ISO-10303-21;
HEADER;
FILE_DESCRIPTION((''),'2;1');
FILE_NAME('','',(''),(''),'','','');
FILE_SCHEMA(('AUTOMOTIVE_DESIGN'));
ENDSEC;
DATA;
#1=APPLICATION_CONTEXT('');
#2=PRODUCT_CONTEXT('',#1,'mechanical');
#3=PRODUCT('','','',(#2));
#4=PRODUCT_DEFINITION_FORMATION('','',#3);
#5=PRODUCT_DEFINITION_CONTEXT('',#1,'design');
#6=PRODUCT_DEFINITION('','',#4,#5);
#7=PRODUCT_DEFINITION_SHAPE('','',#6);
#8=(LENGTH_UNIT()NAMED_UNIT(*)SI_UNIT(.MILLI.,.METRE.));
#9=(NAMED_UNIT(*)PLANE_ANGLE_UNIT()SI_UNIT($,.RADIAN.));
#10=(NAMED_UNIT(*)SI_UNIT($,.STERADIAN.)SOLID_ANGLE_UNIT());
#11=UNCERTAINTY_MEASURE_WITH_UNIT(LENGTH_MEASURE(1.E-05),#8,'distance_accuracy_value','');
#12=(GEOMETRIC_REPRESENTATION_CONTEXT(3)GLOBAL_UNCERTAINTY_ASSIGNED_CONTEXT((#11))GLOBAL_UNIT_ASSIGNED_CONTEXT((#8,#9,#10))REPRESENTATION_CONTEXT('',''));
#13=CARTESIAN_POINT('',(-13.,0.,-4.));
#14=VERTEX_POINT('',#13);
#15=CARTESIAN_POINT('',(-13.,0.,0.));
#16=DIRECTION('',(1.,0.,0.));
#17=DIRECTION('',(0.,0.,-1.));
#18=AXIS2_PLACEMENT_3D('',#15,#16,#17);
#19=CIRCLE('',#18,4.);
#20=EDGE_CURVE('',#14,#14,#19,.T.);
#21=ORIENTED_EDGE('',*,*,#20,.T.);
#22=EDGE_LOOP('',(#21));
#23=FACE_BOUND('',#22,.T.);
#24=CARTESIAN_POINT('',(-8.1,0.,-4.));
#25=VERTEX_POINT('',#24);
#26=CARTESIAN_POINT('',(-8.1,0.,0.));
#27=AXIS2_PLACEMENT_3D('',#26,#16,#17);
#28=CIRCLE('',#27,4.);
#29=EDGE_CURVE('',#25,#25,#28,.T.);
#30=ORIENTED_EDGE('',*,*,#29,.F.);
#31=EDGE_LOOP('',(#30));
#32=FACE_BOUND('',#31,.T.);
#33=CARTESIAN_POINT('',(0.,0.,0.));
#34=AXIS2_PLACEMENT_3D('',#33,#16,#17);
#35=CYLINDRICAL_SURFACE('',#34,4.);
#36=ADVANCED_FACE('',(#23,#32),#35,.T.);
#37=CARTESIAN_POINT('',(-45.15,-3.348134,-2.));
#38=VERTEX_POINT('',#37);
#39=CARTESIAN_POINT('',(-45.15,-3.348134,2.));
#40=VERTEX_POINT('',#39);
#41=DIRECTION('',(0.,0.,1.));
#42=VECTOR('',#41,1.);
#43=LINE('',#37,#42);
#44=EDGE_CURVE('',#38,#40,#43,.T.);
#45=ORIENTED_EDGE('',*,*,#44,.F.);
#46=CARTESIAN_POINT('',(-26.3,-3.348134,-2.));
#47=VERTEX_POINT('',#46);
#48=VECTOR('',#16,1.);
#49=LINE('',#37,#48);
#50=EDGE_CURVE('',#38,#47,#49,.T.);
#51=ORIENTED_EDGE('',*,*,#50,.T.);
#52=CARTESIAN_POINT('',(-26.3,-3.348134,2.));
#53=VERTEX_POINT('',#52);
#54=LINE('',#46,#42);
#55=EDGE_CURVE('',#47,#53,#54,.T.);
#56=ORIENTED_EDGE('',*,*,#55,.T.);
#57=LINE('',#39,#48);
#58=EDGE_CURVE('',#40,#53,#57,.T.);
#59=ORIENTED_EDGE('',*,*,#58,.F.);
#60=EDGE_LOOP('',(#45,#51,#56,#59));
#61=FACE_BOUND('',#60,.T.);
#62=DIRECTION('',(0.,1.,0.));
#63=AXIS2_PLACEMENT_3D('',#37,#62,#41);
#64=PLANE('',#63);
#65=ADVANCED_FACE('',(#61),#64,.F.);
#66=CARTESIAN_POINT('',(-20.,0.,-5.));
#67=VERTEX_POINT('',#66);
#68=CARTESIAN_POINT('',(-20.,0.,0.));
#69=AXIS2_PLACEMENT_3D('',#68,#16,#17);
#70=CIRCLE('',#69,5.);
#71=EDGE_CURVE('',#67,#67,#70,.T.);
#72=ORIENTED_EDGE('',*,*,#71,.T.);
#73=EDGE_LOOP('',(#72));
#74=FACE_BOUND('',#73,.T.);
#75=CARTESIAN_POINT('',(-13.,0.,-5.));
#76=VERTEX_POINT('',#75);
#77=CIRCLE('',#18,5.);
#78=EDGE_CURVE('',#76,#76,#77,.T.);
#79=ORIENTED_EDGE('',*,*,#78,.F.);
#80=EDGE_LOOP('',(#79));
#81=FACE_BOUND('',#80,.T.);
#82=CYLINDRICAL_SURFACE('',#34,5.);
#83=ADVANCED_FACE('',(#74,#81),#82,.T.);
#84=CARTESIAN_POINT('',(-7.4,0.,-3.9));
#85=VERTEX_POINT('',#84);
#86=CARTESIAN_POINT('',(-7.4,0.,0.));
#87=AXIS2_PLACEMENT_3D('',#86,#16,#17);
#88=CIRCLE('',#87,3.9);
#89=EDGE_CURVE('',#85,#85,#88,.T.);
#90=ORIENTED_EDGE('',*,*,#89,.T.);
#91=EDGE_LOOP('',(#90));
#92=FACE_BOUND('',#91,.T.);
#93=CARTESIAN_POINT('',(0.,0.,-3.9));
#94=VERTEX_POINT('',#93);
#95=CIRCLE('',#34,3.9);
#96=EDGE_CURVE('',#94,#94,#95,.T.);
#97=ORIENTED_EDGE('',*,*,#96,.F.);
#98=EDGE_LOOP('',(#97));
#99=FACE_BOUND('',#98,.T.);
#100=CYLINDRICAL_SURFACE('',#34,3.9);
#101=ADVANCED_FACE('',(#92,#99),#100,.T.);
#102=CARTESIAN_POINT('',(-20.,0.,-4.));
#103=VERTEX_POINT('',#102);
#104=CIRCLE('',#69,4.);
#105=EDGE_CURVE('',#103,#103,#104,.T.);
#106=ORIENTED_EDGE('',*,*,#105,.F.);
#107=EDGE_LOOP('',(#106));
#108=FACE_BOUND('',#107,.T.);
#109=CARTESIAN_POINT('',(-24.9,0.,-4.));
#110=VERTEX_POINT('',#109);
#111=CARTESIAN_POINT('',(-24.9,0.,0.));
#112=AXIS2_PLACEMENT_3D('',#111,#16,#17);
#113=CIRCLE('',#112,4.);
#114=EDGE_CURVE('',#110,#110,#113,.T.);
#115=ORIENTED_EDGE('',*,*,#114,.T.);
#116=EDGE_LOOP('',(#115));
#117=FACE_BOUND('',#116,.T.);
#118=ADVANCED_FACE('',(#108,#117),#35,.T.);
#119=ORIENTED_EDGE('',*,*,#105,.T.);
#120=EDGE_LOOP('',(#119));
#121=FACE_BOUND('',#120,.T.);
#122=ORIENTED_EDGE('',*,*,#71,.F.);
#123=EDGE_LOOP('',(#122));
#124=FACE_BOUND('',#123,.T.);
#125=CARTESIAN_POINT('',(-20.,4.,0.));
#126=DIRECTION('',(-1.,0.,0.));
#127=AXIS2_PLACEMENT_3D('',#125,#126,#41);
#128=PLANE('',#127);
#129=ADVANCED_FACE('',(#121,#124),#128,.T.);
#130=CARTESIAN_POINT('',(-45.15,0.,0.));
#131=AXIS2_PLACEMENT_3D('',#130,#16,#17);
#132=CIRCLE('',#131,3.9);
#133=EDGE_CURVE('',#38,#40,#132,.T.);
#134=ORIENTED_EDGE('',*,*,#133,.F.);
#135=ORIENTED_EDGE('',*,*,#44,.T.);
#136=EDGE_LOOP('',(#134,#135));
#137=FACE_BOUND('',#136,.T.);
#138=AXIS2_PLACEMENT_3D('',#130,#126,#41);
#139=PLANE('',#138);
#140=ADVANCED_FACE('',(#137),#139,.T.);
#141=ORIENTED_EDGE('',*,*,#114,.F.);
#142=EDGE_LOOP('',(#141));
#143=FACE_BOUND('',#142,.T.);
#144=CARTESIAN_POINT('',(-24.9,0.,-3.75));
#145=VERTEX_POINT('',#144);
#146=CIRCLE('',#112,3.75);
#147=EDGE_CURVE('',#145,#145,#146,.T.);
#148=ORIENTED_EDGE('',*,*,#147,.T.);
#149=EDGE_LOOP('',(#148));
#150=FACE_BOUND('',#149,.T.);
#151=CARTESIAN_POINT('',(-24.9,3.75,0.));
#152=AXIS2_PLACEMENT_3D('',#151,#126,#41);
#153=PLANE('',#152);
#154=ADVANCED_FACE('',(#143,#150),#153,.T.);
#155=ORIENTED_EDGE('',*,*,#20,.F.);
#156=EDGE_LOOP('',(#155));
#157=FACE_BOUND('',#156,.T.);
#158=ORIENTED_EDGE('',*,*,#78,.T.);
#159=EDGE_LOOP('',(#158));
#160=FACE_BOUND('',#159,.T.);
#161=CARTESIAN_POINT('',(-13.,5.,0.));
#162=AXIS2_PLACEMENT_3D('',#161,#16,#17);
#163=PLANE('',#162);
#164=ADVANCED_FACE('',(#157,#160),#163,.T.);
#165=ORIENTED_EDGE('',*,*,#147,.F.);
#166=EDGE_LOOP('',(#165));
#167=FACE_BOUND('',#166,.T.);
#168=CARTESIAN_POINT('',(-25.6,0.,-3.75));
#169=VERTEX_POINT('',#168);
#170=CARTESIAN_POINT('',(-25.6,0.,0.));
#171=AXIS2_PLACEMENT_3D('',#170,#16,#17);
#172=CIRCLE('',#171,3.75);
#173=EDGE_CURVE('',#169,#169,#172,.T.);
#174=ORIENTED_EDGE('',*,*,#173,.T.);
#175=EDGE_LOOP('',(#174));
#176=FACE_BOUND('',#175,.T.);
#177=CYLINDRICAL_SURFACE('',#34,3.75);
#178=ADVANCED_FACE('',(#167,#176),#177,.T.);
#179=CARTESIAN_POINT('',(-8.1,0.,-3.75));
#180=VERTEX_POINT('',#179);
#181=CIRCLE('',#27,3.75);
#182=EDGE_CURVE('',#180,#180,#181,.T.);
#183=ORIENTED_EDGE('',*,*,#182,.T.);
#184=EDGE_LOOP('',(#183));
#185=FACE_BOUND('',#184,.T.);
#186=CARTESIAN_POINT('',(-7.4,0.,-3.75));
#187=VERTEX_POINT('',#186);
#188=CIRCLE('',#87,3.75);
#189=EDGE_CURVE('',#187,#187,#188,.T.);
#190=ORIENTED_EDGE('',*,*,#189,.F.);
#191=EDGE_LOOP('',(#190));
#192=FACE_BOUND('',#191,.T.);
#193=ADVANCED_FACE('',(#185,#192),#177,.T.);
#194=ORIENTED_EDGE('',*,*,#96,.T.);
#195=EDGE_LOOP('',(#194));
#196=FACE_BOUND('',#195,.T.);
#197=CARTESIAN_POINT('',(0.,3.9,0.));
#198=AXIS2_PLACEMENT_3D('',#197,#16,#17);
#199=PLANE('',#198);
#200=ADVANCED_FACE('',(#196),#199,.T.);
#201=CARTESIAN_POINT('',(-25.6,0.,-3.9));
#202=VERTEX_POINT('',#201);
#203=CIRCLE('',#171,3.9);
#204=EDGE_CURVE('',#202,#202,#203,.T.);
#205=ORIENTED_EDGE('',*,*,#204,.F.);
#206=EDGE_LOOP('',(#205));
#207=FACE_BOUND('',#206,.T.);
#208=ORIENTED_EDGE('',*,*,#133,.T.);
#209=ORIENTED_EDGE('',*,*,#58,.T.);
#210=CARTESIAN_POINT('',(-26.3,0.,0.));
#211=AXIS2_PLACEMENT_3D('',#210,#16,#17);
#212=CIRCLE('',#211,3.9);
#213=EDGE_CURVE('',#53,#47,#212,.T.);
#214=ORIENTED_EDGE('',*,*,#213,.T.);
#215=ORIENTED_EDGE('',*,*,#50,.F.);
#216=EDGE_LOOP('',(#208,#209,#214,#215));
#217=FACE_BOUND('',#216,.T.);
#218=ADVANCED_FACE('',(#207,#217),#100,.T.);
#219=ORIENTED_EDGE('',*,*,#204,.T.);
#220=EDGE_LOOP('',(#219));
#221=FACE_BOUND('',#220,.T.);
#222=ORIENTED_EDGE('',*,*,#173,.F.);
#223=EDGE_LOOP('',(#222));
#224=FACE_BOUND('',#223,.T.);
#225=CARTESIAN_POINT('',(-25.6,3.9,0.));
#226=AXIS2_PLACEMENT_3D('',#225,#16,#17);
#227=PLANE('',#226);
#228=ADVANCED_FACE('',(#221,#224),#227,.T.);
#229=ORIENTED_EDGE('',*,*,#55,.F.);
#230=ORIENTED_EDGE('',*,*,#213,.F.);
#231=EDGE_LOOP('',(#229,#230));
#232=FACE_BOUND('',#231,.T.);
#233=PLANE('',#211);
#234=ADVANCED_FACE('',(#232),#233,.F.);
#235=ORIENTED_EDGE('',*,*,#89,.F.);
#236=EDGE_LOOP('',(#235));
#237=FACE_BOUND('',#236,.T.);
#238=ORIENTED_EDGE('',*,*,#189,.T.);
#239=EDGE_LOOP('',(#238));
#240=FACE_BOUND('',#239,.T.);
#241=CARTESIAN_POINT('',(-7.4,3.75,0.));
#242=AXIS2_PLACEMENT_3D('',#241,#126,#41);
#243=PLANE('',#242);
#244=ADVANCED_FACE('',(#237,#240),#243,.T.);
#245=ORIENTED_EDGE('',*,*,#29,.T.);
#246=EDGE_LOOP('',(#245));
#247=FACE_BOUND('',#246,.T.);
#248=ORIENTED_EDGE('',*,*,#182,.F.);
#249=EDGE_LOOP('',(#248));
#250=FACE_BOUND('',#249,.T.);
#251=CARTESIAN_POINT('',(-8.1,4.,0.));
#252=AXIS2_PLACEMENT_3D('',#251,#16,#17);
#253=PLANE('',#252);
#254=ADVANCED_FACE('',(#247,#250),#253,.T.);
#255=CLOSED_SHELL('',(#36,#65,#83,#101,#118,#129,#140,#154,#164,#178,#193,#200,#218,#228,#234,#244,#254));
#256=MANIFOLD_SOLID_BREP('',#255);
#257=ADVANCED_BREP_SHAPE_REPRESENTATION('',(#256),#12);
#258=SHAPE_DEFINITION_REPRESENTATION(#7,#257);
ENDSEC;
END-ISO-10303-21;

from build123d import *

# Parameters (mm, degrees)
CUT_EXTRUDE2_START = -45.15
CUT_EXTRUDE2_DEPTH = 18.85


with BuildPart() as part:
    # Sketch1 → Revolve1 (revolve)
    with BuildSketch(Plane.XY, mode=Mode.PRIVATE) as revolve1_sk:
        Polygon((0, 0), (-45.15, 0), (-45.15, 3.9), (-25.6, 3.9), (-25.6, 3.75), (-24.9, 3.75), (-24.9, 4), (-20, 4), (-20, 5), (-13, 5), (-13, 4), (-8.1, 4), (-8.1, 3.75), (-7.4, 3.75), (-7.4, 3.9), (0, 3.9), align=None)
    revolve(revolve1_sk.sketch.rotate(Axis((0, 0, 0), (-1, 0, 0)), 90), axis=Axis((0, 0, 0), (-1, 0, 0)))

    # Sketch2 → Cut-Extrude2 (cut)
    with BuildSketch(Plane(origin=(0, 0, 0), x_dir=(0, 0, -1), z_dir=(1, 0, 0)).offset(CUT_EXTRUDE2_START)):
        with BuildLine():
            Line((2, -3.348133809), (-2, -3.348133809))
            ThreePointArc((-2, -3.348133809), (0, -3.9), (2, -3.348133809))
        make_face()
    extrude(amount=CUT_EXTRUDE2_DEPTH, mode=Mode.SUBTRACT)


solid = part.part
